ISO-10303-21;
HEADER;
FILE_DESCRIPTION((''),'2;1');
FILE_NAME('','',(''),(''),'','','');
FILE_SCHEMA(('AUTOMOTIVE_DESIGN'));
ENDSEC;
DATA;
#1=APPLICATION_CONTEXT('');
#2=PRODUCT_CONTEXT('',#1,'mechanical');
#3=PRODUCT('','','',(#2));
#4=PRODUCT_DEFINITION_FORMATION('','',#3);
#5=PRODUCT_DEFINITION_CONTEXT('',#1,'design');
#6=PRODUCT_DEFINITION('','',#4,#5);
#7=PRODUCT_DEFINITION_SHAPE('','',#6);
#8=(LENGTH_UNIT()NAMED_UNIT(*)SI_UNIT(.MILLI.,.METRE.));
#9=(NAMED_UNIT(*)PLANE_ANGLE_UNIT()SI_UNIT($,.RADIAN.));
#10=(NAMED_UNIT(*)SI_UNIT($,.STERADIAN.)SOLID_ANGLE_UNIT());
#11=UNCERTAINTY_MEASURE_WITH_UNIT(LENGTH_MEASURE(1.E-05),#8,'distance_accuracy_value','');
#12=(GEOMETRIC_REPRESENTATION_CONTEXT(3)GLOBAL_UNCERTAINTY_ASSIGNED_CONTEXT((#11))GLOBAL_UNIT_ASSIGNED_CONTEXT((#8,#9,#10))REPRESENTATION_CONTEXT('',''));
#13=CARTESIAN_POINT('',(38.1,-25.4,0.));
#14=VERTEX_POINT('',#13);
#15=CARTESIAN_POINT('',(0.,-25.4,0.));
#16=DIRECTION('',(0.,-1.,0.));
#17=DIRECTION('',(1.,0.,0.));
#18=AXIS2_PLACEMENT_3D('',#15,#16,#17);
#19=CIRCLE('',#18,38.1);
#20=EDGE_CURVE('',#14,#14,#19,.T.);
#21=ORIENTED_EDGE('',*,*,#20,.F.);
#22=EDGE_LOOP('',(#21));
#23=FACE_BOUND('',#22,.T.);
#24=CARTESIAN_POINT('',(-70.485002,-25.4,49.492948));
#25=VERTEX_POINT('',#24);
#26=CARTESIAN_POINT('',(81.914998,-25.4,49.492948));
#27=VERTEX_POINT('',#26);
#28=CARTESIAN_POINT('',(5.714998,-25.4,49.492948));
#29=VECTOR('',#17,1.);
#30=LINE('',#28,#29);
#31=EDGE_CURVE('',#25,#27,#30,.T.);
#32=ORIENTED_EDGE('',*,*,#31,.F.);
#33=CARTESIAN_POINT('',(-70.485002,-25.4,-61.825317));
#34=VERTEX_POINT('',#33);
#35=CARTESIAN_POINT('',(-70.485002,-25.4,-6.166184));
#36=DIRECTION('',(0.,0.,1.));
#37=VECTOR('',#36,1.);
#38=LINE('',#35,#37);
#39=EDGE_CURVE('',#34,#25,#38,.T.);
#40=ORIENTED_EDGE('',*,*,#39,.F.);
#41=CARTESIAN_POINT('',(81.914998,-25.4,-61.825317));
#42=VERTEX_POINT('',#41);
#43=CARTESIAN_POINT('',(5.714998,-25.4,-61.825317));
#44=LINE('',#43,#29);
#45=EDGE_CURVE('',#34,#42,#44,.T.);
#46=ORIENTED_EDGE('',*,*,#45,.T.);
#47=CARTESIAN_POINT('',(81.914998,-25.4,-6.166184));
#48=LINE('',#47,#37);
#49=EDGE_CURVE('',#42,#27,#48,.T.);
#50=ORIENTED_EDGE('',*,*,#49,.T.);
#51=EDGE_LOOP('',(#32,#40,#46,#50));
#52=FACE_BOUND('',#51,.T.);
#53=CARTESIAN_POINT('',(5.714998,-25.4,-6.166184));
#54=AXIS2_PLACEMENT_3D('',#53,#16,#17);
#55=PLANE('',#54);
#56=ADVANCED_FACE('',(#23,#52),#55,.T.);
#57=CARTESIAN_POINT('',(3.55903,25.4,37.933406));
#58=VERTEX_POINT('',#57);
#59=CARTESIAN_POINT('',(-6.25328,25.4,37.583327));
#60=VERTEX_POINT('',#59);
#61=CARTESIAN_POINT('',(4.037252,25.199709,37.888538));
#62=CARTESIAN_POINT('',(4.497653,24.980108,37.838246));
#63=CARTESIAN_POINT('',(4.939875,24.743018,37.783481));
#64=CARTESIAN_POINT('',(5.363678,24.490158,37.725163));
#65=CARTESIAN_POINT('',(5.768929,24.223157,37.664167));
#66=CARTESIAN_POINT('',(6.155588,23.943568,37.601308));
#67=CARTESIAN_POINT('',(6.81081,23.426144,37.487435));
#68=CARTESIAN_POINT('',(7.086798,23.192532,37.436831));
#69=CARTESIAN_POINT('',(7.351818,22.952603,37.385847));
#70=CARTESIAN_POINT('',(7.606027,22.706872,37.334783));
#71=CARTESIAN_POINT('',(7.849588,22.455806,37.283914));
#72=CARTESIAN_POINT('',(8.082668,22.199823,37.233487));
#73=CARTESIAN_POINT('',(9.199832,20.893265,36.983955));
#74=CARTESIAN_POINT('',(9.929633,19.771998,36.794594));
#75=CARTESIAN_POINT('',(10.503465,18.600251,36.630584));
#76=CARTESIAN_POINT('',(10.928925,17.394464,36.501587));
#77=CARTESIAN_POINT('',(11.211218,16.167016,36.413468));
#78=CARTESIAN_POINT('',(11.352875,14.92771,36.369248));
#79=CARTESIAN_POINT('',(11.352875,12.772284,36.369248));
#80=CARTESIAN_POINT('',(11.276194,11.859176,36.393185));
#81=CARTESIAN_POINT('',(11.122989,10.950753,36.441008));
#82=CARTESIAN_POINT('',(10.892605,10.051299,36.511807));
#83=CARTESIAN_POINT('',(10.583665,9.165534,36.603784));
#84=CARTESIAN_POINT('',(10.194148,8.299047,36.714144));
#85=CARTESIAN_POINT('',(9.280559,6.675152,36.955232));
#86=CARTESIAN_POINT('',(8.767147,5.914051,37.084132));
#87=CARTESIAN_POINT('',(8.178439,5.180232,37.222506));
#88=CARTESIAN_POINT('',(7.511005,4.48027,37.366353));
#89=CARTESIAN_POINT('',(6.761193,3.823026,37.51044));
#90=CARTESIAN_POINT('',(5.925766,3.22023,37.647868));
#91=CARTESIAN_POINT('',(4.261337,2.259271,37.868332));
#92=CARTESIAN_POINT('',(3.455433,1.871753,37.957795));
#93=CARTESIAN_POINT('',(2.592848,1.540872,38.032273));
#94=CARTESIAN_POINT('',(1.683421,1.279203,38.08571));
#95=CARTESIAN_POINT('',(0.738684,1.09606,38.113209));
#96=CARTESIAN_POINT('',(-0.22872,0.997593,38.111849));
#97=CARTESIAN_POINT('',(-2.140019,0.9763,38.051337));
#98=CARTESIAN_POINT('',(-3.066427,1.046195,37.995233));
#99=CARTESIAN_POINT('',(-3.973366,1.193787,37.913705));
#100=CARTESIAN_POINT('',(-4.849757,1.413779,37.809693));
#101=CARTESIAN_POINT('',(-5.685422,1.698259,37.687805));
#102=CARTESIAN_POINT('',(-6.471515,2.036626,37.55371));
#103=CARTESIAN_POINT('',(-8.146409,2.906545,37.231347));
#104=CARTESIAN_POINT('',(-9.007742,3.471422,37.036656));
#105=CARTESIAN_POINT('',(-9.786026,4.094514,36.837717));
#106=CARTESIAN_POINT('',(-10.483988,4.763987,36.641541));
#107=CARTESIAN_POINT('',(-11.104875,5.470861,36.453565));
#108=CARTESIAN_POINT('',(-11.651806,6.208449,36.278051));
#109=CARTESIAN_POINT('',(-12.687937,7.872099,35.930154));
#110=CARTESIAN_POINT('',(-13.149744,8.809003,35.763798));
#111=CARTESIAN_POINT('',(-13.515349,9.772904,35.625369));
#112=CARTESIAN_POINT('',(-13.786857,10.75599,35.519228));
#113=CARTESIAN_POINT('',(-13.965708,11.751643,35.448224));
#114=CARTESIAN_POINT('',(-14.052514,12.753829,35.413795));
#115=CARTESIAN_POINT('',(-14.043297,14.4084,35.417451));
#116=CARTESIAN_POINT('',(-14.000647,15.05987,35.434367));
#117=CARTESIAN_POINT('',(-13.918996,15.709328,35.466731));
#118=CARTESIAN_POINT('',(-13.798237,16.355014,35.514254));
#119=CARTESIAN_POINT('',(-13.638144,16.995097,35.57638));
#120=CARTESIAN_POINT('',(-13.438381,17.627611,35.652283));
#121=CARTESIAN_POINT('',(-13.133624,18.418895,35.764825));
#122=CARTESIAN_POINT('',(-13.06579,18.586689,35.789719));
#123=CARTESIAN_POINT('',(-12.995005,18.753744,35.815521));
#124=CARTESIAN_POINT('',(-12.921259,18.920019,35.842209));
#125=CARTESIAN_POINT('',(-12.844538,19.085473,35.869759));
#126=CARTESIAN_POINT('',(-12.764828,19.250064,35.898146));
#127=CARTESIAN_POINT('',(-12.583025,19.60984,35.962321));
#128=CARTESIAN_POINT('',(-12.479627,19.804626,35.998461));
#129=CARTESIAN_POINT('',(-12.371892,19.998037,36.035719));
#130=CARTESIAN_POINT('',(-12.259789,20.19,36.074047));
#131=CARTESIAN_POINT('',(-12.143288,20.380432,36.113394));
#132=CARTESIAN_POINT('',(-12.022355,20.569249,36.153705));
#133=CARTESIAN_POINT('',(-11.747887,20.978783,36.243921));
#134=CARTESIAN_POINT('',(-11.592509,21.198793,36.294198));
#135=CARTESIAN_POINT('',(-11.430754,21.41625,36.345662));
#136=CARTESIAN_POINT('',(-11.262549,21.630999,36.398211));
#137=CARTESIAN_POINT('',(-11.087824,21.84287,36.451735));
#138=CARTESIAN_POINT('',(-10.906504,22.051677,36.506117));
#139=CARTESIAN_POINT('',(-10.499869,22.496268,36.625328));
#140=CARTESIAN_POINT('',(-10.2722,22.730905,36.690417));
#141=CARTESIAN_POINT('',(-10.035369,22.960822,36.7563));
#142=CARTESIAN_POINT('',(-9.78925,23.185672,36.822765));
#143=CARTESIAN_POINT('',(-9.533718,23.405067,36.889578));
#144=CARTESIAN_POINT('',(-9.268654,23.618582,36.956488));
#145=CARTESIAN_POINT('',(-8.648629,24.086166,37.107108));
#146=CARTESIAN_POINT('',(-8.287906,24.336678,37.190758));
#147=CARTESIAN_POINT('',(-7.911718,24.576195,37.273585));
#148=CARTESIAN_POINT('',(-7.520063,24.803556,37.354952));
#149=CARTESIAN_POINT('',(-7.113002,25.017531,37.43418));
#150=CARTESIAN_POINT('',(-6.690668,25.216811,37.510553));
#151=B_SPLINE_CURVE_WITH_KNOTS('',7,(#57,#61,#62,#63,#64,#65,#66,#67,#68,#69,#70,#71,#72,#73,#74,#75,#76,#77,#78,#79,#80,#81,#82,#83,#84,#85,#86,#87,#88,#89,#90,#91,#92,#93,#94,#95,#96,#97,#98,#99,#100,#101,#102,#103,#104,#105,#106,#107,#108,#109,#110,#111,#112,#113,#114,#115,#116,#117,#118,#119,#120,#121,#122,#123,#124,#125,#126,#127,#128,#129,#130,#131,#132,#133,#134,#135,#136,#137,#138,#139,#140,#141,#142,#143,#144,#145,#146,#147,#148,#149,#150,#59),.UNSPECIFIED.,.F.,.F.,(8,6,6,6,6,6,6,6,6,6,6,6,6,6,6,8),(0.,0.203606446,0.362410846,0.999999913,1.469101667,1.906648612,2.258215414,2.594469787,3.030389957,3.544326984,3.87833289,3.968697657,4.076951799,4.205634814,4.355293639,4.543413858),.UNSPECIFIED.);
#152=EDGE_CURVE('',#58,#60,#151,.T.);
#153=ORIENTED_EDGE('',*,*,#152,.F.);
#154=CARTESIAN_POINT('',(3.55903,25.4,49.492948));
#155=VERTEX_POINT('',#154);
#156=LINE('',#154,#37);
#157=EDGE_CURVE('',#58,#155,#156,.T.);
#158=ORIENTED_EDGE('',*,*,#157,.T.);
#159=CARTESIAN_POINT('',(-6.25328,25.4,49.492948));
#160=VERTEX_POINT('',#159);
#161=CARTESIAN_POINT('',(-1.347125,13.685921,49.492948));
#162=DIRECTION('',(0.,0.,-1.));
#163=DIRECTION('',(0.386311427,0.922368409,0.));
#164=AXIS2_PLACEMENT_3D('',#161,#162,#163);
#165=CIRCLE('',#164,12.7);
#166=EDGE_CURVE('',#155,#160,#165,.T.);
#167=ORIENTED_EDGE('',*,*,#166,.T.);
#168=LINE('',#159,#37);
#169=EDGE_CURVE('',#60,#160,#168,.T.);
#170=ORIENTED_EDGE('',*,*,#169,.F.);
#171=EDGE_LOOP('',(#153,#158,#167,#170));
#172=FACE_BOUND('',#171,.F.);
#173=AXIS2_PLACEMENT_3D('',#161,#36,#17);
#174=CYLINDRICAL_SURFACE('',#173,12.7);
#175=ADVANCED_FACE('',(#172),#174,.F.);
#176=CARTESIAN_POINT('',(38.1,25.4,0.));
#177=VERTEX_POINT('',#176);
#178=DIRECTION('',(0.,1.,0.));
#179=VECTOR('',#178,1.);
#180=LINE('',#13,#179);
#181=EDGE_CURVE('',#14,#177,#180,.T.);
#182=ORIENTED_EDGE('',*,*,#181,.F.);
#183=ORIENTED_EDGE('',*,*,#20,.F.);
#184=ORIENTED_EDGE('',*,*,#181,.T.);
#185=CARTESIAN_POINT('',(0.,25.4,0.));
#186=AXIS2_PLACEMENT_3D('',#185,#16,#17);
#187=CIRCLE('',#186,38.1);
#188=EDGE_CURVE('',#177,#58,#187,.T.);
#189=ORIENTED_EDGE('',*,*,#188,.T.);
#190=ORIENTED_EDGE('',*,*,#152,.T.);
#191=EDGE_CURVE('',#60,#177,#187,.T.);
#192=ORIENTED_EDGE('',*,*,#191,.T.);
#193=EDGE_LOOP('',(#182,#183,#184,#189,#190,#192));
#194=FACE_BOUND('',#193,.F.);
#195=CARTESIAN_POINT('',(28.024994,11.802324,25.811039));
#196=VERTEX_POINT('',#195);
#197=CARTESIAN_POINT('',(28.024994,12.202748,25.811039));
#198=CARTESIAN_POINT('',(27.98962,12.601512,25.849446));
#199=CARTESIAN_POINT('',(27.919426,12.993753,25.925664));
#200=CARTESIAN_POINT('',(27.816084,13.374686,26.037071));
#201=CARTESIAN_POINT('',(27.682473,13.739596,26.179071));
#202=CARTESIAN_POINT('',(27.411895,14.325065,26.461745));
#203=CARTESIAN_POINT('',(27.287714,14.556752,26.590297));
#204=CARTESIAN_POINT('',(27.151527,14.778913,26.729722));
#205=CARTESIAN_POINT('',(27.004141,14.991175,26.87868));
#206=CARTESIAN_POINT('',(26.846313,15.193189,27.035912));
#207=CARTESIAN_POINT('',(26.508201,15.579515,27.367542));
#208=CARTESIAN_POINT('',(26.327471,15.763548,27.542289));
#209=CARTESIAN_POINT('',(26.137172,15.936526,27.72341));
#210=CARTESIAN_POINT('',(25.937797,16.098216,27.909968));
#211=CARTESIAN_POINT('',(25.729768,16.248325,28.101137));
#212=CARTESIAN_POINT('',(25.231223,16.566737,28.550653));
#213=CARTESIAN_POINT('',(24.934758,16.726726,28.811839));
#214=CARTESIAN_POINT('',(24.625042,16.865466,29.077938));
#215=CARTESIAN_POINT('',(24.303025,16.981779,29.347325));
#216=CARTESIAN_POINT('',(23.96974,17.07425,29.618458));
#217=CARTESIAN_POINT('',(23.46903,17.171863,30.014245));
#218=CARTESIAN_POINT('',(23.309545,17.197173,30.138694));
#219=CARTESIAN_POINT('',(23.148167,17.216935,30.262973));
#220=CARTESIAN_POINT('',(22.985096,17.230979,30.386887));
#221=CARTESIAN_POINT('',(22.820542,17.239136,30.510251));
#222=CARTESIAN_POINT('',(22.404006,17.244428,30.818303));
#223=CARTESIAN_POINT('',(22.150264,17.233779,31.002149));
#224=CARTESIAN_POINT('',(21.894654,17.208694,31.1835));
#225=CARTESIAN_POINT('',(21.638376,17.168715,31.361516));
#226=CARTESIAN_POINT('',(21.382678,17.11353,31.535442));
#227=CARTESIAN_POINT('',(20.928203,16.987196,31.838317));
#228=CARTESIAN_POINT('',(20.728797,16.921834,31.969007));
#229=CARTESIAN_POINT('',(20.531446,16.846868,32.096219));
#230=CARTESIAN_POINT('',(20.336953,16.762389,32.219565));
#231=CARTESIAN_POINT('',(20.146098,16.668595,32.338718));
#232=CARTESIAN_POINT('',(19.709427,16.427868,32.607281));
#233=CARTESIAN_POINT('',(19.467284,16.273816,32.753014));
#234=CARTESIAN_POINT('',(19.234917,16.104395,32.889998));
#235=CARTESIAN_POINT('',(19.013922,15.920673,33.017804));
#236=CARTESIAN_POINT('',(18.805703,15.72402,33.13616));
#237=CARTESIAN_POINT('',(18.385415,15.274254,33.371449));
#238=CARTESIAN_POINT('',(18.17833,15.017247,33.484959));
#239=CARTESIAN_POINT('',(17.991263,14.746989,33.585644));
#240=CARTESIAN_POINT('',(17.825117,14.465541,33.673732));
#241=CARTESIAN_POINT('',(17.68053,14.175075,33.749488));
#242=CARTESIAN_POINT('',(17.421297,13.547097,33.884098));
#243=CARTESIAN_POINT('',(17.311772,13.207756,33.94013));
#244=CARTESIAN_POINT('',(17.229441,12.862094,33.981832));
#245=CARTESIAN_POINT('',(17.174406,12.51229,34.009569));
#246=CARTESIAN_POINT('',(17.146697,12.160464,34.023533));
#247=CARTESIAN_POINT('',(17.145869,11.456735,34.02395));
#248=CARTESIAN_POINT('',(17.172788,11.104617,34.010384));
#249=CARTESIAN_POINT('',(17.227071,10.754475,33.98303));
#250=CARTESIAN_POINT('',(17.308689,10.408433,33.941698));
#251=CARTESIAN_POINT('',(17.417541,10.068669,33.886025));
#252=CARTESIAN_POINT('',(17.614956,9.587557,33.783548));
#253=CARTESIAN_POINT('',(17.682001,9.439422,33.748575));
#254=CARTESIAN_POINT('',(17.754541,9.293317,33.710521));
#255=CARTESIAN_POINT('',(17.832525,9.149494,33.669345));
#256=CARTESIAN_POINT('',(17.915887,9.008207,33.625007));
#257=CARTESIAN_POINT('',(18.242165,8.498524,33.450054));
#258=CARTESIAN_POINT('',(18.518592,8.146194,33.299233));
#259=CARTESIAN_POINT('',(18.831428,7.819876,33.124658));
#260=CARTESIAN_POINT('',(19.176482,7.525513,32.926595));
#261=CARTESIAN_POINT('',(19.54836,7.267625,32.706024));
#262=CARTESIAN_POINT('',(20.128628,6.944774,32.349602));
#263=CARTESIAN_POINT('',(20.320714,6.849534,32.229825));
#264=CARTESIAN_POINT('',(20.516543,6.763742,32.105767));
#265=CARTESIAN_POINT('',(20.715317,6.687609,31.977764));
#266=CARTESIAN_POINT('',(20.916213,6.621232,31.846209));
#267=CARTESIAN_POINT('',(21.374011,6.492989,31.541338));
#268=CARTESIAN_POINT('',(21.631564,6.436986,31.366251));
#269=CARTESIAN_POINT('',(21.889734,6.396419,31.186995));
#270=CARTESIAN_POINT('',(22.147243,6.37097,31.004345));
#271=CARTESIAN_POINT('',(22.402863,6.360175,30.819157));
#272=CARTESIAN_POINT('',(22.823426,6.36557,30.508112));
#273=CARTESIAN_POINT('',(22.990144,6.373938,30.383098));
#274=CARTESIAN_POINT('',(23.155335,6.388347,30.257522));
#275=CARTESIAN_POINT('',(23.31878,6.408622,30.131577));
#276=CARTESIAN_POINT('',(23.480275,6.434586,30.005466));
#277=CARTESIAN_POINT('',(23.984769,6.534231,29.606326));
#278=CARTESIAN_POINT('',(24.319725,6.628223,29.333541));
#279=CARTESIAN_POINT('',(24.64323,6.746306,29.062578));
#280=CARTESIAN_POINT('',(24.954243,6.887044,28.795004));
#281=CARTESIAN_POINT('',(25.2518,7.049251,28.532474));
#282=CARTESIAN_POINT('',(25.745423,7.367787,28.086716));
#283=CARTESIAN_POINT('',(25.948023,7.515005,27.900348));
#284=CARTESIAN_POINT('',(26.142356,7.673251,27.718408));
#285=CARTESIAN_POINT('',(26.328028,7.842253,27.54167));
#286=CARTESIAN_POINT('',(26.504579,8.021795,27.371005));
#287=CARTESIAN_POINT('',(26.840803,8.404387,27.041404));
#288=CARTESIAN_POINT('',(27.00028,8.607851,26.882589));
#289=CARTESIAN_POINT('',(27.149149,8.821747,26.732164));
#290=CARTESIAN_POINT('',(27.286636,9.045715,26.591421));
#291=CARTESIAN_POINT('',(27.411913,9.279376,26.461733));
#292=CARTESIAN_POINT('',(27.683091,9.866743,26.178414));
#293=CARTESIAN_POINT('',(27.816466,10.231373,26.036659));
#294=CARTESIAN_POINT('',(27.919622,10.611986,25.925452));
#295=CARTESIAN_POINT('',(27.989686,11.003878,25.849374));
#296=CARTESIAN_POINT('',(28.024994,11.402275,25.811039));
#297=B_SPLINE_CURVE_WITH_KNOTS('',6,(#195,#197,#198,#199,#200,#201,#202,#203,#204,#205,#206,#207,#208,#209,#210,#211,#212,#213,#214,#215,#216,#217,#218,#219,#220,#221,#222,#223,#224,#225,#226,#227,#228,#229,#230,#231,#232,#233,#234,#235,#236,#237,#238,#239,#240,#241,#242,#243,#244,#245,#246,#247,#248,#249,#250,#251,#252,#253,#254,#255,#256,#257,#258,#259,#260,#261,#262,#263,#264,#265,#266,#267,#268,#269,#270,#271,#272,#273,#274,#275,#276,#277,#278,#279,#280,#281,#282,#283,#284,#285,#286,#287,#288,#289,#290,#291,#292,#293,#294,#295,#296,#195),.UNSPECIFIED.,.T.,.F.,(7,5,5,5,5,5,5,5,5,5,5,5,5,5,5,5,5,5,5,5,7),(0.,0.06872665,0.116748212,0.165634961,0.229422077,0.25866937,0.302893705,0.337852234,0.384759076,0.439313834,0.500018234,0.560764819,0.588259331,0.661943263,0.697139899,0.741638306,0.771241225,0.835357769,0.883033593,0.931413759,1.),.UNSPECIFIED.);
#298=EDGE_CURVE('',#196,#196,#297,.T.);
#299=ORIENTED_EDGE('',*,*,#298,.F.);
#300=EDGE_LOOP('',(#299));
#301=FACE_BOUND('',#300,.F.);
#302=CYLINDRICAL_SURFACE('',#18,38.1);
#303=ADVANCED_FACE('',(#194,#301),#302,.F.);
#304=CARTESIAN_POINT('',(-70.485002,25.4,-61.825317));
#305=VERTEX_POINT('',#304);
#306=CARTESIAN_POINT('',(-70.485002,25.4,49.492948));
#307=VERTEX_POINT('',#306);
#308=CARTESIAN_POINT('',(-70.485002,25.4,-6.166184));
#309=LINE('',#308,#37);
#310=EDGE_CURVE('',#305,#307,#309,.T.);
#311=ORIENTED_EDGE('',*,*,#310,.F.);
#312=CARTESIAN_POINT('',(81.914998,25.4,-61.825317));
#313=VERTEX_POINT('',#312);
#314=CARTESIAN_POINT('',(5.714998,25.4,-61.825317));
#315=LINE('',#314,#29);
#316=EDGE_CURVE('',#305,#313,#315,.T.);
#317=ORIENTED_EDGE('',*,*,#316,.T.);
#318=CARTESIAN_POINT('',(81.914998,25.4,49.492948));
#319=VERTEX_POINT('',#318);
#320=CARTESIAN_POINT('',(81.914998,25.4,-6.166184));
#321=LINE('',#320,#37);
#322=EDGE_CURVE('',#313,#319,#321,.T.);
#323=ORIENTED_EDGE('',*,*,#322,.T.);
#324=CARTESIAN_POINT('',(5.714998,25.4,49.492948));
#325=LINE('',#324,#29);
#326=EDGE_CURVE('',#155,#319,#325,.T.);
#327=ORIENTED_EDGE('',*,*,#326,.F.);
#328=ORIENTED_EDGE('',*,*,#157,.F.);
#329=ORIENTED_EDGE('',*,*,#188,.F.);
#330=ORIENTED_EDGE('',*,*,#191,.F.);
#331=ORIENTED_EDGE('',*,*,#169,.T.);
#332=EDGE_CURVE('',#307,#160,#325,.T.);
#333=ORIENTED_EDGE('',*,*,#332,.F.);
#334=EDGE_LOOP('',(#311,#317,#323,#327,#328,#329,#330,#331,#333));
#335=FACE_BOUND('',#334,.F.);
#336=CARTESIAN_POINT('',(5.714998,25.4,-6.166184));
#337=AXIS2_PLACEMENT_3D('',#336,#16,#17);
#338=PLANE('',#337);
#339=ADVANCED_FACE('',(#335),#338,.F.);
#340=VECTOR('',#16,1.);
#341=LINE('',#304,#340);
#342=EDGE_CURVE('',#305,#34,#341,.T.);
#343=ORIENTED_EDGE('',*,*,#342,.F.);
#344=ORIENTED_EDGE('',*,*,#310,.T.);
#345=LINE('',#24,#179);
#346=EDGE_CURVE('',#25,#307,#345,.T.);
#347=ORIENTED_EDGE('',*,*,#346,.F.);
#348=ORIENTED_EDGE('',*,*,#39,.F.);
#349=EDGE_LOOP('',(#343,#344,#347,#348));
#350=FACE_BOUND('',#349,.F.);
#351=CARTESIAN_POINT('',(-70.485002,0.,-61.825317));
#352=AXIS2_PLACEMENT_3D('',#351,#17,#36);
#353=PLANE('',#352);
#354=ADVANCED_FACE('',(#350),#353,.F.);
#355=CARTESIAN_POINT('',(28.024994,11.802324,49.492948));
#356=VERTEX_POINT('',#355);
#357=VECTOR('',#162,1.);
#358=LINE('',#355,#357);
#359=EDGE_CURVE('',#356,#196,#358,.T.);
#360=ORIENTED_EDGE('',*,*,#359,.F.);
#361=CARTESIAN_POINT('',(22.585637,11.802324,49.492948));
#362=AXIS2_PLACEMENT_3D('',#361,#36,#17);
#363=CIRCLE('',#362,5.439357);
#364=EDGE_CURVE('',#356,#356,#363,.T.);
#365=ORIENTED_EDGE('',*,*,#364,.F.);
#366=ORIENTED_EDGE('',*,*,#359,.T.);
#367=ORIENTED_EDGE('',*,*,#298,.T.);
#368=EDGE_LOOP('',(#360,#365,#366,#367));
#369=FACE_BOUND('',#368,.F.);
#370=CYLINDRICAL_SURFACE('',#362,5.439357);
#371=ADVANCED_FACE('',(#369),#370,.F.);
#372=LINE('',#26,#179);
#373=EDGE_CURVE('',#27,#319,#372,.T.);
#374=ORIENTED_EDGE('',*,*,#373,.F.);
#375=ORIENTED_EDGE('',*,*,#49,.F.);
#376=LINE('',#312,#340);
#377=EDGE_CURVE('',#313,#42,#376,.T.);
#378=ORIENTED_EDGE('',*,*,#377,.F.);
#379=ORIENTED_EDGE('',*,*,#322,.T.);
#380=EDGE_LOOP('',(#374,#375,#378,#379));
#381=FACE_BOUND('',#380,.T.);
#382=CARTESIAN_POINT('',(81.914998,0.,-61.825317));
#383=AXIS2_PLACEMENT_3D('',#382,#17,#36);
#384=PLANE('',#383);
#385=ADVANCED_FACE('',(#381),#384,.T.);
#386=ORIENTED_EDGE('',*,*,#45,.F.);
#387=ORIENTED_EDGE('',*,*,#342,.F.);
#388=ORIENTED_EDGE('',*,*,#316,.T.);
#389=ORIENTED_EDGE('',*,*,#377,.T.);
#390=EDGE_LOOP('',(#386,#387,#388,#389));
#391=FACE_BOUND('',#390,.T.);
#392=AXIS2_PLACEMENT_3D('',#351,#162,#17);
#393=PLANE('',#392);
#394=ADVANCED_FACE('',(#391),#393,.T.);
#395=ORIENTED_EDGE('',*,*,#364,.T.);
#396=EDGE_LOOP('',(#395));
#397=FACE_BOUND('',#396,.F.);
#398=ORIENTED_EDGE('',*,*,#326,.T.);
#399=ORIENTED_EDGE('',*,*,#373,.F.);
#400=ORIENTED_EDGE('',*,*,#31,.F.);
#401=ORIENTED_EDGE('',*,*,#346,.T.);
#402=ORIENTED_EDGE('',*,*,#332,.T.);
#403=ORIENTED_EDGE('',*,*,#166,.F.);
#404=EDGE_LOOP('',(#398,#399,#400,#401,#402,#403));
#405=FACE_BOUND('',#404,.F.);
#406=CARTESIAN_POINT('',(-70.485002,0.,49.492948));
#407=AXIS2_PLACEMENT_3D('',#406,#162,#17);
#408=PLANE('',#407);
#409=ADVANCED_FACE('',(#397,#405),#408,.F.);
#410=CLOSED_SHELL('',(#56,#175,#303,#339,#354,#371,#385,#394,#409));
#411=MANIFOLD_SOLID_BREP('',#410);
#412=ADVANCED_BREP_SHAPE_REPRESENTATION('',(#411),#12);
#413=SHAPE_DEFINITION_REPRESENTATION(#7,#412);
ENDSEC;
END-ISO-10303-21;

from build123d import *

# Parameters (mm, degrees)
F0_W          = 152.4
F0_H          = 111.3182650085
F1_DEPTH      = 25.4
F1_DEPTH_BACK = 25.4
F2_R          = 38.1
F3_DEPTH      = 50.801
F4_R          = 12.7
F4_R_2        = 5.4393571469
F5_DEPTH      = 25.4


with BuildPart() as f1:
    # F0 (on Front) → F1 (new body, two sides)
    with BuildSketch(Plane.XZ) as f1_sk:
        with Locations((5.7149976492, -6.166184321)):
            Rectangle(F0_W, F0_H)
    extrude(amount=F1_DEPTH)
    extrude(f1_sk.sketch, amount=-F1_DEPTH_BACK)

    # F2 (on face) → F3 (cut, through all)
    with BuildSketch(Plane.XZ.offset(25.4)):
        Circle(F2_R)
    extrude(amount=-F3_DEPTH, mode=Mode.SUBTRACT)

    # F4 (on face) → F5 (cut)
    with BuildSketch(Plane.XY.offset(49.4929481832)):
        with Locations((-1.347124782, 13.6859212071)):
            Circle(F4_R)
        with Locations((22.58563655, 11.8023242822)):
            Circle(F4_R_2)
    extrude(amount=-F5_DEPTH, mode=Mode.SUBTRACT)


solid = f1.part
